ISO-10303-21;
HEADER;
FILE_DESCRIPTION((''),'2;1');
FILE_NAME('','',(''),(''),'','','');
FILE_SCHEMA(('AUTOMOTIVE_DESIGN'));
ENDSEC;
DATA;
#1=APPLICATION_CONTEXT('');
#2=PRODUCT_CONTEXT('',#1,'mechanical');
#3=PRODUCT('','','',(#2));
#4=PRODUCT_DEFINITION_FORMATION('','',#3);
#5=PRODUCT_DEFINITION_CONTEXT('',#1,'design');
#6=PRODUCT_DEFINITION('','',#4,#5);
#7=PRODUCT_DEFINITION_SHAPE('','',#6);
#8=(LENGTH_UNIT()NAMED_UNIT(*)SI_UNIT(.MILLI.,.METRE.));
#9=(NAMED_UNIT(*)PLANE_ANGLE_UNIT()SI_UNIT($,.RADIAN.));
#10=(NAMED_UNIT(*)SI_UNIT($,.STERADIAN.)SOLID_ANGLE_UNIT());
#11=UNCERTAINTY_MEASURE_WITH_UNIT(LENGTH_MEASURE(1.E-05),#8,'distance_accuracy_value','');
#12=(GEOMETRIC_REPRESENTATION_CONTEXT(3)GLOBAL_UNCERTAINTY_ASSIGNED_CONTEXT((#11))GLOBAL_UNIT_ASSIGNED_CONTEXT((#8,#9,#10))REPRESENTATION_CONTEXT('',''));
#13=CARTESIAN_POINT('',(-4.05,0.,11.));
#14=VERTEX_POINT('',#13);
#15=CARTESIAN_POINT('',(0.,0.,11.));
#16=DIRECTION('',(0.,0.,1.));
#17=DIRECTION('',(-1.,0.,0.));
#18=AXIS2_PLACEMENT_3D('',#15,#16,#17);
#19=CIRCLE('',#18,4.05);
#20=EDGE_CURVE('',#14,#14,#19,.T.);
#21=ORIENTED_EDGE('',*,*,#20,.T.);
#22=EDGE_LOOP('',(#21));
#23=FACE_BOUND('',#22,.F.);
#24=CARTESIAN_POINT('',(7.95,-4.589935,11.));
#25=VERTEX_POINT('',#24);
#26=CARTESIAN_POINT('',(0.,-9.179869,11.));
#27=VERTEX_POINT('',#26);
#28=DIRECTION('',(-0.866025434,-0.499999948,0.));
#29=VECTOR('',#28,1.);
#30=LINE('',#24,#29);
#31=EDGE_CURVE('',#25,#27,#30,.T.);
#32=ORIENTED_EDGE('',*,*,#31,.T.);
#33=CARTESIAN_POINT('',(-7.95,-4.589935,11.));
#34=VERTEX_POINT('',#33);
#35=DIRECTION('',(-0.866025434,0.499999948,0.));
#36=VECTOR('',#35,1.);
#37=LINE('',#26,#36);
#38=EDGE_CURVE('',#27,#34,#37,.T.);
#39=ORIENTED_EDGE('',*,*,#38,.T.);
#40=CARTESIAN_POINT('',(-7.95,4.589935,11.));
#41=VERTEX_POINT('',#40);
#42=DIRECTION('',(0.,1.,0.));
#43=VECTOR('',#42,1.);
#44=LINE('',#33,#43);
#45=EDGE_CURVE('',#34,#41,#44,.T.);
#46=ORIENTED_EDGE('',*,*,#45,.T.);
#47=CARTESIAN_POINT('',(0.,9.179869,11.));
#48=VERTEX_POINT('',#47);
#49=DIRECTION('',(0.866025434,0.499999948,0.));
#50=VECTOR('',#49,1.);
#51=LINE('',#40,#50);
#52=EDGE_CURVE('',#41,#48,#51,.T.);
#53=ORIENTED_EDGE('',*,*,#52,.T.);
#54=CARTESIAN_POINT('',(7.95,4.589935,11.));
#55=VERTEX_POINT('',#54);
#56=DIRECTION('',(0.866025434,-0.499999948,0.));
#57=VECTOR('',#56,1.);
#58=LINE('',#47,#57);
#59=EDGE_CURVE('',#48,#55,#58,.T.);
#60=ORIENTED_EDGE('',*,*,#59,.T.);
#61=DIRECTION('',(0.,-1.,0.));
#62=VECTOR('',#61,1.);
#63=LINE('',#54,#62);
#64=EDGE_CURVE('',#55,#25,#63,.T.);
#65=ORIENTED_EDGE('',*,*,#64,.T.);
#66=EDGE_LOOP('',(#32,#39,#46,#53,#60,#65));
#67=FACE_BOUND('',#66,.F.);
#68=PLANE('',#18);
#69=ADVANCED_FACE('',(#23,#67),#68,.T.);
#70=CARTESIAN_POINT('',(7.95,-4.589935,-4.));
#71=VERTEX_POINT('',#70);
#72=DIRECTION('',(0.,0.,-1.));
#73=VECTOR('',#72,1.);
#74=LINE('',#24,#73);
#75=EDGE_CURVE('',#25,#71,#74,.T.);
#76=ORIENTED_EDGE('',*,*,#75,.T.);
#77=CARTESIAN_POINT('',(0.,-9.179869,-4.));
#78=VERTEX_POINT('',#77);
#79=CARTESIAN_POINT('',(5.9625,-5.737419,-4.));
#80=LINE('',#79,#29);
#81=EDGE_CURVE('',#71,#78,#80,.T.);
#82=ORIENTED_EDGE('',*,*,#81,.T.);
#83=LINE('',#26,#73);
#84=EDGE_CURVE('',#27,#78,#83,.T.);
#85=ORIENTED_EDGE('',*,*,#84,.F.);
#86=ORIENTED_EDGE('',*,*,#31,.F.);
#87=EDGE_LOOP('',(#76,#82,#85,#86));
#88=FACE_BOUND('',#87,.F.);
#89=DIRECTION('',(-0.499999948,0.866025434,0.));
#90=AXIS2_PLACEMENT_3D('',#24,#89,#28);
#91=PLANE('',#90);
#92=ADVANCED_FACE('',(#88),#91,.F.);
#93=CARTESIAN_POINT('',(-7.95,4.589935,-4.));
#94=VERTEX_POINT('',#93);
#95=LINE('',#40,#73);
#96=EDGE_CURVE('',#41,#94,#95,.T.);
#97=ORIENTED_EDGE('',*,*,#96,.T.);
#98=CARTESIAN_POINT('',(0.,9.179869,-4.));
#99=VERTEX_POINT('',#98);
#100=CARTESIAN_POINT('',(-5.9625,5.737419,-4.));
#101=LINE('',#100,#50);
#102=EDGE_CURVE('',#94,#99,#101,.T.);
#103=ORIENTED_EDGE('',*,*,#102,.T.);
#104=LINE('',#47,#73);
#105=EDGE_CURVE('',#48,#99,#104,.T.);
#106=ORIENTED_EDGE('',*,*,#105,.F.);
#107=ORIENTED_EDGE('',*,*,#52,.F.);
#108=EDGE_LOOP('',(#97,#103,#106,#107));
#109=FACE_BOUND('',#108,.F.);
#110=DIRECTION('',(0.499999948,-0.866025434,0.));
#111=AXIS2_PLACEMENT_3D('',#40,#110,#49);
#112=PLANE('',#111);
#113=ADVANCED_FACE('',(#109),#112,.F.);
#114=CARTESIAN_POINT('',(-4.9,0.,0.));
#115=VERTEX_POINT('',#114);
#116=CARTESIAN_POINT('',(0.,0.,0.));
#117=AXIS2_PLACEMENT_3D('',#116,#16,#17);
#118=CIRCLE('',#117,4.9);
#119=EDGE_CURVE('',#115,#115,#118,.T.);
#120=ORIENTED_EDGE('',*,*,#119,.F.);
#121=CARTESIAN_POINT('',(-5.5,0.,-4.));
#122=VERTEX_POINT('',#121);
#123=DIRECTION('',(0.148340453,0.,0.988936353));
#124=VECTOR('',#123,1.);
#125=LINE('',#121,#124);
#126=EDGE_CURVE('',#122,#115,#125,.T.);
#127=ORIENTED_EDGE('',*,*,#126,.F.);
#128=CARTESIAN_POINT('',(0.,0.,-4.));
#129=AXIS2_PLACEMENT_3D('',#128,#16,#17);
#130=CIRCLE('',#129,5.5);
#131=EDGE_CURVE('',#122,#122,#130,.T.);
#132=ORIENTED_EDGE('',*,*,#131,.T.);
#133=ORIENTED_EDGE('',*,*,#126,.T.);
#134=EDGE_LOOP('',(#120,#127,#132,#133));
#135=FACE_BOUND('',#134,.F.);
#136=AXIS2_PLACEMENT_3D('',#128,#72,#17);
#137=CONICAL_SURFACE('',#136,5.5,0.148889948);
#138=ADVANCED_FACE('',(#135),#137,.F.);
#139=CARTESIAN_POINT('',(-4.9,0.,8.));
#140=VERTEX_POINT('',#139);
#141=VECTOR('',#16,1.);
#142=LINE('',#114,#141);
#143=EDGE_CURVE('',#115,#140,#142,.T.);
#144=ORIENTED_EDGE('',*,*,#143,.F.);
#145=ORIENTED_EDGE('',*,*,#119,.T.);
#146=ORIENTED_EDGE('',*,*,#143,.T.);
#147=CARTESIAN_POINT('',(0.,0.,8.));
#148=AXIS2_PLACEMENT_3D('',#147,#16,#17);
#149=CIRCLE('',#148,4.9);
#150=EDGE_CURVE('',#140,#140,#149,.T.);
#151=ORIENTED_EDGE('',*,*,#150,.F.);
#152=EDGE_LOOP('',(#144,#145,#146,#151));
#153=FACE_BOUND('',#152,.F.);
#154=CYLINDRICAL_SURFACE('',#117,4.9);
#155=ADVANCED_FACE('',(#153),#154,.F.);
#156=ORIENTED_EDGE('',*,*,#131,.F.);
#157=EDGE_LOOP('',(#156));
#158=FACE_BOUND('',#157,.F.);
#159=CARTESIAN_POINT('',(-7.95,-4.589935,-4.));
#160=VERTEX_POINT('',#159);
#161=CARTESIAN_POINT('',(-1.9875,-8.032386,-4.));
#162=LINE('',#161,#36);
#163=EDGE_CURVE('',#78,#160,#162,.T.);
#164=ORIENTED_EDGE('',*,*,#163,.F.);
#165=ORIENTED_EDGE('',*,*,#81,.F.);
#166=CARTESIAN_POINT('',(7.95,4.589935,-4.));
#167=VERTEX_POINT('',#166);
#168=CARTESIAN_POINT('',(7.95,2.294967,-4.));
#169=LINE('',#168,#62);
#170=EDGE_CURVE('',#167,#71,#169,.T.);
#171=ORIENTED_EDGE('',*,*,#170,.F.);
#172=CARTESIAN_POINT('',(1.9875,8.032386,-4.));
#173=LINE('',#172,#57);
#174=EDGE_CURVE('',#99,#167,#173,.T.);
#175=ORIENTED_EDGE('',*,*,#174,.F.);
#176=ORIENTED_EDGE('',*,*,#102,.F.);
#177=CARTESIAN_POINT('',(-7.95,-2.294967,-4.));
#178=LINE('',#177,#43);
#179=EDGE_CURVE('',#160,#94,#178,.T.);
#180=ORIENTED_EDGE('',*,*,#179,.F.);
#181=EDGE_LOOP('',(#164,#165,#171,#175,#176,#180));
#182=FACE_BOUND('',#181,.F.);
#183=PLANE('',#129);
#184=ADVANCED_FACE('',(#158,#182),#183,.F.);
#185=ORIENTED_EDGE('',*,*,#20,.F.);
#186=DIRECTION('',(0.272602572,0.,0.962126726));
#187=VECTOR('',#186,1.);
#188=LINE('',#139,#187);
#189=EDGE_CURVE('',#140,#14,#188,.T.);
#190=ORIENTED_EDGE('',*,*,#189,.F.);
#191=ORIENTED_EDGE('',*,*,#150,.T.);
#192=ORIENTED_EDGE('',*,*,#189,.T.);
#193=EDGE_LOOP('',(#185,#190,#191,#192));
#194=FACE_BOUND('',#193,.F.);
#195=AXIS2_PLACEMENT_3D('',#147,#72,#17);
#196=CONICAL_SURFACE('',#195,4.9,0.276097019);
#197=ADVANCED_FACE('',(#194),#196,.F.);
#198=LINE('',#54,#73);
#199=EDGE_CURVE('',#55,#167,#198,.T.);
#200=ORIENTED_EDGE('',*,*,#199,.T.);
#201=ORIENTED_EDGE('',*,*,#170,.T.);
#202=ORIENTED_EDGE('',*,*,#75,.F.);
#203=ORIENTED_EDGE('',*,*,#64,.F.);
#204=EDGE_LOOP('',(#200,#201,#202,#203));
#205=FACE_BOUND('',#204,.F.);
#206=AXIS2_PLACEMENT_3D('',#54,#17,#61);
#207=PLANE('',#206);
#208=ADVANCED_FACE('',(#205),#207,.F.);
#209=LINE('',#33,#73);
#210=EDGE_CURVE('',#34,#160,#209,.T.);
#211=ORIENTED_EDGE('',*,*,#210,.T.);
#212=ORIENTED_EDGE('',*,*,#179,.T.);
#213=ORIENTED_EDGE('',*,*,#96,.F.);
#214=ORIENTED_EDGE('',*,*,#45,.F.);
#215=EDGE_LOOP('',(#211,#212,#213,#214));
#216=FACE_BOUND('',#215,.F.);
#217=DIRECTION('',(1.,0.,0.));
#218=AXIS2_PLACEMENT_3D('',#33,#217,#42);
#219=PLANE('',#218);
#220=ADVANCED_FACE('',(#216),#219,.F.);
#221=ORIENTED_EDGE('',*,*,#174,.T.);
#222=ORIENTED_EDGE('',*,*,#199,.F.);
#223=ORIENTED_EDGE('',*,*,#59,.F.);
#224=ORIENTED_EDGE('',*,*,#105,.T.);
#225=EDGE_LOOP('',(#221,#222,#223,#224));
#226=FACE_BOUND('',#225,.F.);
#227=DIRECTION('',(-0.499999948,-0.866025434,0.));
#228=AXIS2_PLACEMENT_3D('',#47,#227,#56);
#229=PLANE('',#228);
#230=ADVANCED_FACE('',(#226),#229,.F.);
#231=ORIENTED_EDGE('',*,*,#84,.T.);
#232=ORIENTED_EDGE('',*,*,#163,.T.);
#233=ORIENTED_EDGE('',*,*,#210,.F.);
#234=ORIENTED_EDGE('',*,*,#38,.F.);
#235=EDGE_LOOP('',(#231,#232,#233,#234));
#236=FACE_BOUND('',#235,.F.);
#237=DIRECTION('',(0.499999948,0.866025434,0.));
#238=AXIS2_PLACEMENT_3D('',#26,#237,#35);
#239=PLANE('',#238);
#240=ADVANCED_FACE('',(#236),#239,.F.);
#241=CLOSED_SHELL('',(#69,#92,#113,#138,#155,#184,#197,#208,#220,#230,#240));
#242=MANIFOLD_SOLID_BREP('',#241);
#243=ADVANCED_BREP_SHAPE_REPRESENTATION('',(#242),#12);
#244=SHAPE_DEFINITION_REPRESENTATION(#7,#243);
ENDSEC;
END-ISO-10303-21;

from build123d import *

# Parameters (mm, degrees)
F2_R     = 30
F3_DEPTH = 15.001


with BuildPart() as f1:
    # F0 (on Front) → F1 (revolve)
    with BuildSketch(Plane.XZ):
        Polygon((-5.5, -4), (-4.9, 0), (-4.9, 8), (-4.05, 11), (-4.9, 11), (-30, 11), (-30, -4), align=None)
    revolve(axis=Axis((0, 0, 7.003904), (0, 0, 1)))

    # F2 (on face) → F3 (cut, through all)
    with BuildSketch(Plane.XY.offset(11)):
        Circle(F2_R)
        Polygon((0, 9.179869), (7.95, 4.589935), (7.95, -4.589935), (0, -9.179869), (-7.95, -4.589935), (-7.95, 4.589935), align=None, mode=Mode.SUBTRACT)
    extrude(amount=-F3_DEPTH, mode=Mode.SUBTRACT)


solid = f1.part
